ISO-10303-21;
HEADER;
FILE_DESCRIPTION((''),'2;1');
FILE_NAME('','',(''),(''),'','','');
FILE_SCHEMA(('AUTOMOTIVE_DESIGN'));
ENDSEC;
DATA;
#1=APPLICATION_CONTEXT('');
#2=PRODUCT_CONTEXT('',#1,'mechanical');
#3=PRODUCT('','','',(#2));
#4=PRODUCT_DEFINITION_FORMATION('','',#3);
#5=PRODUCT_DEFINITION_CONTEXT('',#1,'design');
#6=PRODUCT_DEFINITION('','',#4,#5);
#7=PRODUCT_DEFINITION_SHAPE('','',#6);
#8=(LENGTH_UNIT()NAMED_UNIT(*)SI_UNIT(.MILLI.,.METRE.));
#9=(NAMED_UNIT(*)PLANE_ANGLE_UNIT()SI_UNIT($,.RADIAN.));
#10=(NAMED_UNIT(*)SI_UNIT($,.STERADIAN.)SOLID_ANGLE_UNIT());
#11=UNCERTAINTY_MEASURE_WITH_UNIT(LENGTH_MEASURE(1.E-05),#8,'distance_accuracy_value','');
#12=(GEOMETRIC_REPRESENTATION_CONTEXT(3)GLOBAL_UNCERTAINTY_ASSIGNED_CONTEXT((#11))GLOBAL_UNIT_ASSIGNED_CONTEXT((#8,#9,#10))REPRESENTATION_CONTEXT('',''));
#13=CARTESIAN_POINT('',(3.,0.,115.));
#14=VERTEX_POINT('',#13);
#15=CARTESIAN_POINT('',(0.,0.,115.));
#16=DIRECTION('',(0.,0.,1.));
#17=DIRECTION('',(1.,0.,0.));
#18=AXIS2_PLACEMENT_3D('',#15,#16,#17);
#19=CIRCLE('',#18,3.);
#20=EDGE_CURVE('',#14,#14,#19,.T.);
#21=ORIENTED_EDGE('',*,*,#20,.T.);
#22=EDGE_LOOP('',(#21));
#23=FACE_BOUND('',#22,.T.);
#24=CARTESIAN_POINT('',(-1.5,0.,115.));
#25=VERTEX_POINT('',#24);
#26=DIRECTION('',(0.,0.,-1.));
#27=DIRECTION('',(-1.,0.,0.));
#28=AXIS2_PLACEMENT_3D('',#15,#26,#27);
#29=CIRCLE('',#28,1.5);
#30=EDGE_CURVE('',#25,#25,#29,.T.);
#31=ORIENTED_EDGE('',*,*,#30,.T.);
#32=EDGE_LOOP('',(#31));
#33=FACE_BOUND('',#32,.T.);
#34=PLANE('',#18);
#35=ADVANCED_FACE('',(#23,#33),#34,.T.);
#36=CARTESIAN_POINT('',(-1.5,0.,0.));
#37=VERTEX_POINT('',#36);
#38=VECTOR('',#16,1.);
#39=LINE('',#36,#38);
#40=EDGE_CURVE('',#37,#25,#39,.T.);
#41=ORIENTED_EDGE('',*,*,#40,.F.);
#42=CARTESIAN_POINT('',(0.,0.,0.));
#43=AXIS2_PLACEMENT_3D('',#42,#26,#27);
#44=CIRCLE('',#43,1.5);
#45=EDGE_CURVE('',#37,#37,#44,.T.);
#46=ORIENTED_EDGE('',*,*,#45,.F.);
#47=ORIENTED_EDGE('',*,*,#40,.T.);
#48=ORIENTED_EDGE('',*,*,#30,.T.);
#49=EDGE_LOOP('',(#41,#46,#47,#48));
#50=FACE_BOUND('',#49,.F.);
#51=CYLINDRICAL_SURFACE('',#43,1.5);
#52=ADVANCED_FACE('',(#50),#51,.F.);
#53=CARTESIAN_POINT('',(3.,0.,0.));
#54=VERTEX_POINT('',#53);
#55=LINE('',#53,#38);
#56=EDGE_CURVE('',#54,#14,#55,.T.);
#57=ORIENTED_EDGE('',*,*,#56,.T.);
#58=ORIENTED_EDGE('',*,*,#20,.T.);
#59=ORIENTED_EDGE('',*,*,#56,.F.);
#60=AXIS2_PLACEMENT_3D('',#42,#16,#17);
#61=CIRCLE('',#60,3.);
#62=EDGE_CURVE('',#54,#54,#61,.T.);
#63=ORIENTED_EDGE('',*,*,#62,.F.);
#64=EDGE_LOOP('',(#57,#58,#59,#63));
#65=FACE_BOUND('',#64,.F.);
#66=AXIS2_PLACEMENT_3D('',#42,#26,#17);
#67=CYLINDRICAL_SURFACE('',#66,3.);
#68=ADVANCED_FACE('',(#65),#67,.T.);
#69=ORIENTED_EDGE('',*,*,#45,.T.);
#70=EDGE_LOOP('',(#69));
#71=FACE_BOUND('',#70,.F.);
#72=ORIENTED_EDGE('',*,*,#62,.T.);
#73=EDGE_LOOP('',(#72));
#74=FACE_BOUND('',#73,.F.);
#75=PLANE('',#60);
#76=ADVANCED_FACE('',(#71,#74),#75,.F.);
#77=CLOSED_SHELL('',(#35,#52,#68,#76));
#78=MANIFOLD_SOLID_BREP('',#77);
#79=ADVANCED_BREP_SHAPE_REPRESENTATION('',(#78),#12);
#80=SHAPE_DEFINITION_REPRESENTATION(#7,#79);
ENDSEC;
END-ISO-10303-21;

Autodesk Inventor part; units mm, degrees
ref_plane "YZ Plane" through (0, 0, 0) normal (1, 0, 0) x (0, 1, 0)
ref_plane "XZ Plane" through (0, 0, 0) normal (0, 1, 0) x (-1, 0, 0)
ref_plane "XY Plane" through (0, 0, 0) normal (0, 0, 1) x (1, 0, 0)
sketch "草图1" plane through (0, 0, 0) normal (0, 0, 1) x (1, 0, 0)
  circle A0 centre (0, 0) radius 3
  dimension "d0" = 6
extrude "拉伸1" add sketch "草图1" along normal blind 115
sketch "草图2" plane through (0, 0, 0) normal (0, 0, -1) x (-1, 0, 0)
  circle A0 centre (0, 0) radius 1.5
  dimension "d3" = 3
extrude "拉伸2" cut sketch "草图2" against normal blind 137.25
properties part number "钢轴"
